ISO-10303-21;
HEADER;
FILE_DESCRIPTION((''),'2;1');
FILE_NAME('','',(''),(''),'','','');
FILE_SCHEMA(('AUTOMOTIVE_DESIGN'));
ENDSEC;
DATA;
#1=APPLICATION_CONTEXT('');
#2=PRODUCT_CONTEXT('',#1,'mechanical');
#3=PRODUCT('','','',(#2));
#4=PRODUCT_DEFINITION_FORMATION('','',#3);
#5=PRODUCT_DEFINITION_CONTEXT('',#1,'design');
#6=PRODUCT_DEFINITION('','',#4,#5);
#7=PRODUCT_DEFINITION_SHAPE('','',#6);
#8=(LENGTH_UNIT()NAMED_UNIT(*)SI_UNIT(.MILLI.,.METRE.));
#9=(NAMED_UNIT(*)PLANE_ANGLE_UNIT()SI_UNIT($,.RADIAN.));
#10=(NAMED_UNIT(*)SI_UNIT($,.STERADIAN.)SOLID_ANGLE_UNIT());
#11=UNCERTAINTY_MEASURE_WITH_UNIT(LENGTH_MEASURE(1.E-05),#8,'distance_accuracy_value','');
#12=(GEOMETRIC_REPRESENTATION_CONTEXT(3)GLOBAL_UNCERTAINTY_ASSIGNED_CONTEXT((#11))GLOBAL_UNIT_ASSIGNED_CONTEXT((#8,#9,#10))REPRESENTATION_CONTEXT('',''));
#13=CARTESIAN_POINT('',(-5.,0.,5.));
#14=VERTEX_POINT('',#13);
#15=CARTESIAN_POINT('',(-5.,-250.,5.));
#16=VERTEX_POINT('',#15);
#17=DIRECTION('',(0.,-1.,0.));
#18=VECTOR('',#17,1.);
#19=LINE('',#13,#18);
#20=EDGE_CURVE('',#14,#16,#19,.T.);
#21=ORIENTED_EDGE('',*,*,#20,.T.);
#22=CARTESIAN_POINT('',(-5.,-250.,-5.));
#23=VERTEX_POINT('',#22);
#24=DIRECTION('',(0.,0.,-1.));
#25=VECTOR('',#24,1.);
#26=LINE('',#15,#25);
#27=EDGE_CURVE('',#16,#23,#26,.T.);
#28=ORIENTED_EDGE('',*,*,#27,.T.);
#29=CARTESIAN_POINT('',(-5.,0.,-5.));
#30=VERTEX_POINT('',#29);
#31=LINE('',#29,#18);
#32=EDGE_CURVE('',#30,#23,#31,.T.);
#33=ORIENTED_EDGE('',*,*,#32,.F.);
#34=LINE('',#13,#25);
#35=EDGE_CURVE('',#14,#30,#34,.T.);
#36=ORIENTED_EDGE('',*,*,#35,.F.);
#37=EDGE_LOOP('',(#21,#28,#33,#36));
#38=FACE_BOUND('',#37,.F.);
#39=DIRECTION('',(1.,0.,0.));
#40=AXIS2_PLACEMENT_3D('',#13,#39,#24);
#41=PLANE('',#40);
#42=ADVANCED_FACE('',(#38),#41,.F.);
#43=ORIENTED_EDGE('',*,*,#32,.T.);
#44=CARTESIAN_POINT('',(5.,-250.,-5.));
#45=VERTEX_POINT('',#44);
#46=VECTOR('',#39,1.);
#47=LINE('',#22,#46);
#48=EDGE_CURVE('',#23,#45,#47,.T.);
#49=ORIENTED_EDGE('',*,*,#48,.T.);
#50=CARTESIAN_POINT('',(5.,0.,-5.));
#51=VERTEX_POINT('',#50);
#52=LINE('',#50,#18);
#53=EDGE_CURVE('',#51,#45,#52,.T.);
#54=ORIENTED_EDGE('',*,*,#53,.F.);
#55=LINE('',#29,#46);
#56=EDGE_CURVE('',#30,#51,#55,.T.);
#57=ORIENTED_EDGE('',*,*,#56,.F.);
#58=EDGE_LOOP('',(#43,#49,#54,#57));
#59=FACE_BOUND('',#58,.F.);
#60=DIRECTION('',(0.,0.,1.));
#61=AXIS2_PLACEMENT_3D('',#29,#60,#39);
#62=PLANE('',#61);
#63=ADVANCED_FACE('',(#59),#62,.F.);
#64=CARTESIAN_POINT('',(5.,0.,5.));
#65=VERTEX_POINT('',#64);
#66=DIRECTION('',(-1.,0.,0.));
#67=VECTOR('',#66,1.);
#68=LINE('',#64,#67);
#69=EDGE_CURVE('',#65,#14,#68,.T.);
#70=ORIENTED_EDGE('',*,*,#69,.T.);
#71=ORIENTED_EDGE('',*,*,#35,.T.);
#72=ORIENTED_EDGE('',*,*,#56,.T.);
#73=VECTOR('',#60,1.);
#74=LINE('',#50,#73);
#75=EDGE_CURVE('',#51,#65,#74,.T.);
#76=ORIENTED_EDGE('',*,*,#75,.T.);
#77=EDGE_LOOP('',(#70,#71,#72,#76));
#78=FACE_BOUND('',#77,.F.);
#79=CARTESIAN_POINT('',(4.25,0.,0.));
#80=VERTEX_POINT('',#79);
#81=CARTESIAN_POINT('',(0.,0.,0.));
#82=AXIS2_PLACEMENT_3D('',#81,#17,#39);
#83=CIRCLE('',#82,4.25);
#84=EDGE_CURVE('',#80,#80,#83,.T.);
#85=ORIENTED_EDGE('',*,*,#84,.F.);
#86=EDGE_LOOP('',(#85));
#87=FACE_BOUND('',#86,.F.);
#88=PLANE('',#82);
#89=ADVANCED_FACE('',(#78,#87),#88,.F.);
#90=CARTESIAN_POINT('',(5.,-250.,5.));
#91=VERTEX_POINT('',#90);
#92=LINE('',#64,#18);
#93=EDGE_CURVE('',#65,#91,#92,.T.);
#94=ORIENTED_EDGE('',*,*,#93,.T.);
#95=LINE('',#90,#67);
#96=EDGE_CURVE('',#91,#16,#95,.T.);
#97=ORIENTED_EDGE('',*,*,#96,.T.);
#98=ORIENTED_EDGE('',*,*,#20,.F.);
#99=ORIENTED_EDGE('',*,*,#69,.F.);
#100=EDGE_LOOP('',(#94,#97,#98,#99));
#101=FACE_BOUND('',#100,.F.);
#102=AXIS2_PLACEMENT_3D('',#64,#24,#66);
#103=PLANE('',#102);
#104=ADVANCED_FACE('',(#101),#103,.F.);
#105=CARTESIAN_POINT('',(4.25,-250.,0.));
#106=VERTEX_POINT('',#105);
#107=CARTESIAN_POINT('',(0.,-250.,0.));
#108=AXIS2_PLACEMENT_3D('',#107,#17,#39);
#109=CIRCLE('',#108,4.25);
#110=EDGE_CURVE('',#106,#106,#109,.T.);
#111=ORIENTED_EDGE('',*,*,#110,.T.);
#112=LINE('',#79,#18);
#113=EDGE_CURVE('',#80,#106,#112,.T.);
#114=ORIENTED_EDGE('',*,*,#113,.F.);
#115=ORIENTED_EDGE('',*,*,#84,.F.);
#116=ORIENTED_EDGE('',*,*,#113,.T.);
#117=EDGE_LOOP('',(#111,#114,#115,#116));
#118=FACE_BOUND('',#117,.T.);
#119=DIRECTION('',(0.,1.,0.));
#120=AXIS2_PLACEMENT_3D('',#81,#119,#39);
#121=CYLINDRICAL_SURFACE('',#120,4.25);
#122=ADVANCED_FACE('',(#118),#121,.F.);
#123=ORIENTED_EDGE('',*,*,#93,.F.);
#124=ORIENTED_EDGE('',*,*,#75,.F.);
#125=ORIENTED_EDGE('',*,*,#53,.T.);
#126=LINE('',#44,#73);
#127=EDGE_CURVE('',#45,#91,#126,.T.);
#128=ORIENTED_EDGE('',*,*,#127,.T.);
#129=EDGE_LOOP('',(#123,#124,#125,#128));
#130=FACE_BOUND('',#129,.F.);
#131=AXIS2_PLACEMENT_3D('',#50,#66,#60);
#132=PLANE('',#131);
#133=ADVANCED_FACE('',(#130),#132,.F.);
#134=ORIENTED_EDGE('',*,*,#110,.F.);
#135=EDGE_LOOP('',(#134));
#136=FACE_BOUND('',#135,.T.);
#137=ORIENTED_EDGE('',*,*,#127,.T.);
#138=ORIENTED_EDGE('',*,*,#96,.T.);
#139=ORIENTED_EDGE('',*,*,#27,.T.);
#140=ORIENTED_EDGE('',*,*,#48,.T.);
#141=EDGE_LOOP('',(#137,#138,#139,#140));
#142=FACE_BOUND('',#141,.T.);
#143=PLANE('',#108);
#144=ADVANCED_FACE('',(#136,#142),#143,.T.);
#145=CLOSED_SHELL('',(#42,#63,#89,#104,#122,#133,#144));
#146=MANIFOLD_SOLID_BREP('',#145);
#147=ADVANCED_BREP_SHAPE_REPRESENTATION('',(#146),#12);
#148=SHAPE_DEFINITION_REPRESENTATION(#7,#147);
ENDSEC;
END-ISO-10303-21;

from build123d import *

# Parameters (mm, degrees)
F0_R     = 4.25
F1_DEPTH = 250


with BuildPart() as f1:
    # F0 (on Front) → F1 (new body)
    with BuildSketch(Plane.XZ):
        Polygon((-4.5, -5), (4.5, -5), (5, -5), (5, -4.5), (5, 4.5), (5, 5), (4.5, 5), (-4.5, 5), (-5, 5), (-5, 4.5), (-5, -4.5), (-5, -5), align=None)
        Circle(F0_R, mode=Mode.SUBTRACT)
    extrude(amount=F1_DEPTH)


solid = f1.part
